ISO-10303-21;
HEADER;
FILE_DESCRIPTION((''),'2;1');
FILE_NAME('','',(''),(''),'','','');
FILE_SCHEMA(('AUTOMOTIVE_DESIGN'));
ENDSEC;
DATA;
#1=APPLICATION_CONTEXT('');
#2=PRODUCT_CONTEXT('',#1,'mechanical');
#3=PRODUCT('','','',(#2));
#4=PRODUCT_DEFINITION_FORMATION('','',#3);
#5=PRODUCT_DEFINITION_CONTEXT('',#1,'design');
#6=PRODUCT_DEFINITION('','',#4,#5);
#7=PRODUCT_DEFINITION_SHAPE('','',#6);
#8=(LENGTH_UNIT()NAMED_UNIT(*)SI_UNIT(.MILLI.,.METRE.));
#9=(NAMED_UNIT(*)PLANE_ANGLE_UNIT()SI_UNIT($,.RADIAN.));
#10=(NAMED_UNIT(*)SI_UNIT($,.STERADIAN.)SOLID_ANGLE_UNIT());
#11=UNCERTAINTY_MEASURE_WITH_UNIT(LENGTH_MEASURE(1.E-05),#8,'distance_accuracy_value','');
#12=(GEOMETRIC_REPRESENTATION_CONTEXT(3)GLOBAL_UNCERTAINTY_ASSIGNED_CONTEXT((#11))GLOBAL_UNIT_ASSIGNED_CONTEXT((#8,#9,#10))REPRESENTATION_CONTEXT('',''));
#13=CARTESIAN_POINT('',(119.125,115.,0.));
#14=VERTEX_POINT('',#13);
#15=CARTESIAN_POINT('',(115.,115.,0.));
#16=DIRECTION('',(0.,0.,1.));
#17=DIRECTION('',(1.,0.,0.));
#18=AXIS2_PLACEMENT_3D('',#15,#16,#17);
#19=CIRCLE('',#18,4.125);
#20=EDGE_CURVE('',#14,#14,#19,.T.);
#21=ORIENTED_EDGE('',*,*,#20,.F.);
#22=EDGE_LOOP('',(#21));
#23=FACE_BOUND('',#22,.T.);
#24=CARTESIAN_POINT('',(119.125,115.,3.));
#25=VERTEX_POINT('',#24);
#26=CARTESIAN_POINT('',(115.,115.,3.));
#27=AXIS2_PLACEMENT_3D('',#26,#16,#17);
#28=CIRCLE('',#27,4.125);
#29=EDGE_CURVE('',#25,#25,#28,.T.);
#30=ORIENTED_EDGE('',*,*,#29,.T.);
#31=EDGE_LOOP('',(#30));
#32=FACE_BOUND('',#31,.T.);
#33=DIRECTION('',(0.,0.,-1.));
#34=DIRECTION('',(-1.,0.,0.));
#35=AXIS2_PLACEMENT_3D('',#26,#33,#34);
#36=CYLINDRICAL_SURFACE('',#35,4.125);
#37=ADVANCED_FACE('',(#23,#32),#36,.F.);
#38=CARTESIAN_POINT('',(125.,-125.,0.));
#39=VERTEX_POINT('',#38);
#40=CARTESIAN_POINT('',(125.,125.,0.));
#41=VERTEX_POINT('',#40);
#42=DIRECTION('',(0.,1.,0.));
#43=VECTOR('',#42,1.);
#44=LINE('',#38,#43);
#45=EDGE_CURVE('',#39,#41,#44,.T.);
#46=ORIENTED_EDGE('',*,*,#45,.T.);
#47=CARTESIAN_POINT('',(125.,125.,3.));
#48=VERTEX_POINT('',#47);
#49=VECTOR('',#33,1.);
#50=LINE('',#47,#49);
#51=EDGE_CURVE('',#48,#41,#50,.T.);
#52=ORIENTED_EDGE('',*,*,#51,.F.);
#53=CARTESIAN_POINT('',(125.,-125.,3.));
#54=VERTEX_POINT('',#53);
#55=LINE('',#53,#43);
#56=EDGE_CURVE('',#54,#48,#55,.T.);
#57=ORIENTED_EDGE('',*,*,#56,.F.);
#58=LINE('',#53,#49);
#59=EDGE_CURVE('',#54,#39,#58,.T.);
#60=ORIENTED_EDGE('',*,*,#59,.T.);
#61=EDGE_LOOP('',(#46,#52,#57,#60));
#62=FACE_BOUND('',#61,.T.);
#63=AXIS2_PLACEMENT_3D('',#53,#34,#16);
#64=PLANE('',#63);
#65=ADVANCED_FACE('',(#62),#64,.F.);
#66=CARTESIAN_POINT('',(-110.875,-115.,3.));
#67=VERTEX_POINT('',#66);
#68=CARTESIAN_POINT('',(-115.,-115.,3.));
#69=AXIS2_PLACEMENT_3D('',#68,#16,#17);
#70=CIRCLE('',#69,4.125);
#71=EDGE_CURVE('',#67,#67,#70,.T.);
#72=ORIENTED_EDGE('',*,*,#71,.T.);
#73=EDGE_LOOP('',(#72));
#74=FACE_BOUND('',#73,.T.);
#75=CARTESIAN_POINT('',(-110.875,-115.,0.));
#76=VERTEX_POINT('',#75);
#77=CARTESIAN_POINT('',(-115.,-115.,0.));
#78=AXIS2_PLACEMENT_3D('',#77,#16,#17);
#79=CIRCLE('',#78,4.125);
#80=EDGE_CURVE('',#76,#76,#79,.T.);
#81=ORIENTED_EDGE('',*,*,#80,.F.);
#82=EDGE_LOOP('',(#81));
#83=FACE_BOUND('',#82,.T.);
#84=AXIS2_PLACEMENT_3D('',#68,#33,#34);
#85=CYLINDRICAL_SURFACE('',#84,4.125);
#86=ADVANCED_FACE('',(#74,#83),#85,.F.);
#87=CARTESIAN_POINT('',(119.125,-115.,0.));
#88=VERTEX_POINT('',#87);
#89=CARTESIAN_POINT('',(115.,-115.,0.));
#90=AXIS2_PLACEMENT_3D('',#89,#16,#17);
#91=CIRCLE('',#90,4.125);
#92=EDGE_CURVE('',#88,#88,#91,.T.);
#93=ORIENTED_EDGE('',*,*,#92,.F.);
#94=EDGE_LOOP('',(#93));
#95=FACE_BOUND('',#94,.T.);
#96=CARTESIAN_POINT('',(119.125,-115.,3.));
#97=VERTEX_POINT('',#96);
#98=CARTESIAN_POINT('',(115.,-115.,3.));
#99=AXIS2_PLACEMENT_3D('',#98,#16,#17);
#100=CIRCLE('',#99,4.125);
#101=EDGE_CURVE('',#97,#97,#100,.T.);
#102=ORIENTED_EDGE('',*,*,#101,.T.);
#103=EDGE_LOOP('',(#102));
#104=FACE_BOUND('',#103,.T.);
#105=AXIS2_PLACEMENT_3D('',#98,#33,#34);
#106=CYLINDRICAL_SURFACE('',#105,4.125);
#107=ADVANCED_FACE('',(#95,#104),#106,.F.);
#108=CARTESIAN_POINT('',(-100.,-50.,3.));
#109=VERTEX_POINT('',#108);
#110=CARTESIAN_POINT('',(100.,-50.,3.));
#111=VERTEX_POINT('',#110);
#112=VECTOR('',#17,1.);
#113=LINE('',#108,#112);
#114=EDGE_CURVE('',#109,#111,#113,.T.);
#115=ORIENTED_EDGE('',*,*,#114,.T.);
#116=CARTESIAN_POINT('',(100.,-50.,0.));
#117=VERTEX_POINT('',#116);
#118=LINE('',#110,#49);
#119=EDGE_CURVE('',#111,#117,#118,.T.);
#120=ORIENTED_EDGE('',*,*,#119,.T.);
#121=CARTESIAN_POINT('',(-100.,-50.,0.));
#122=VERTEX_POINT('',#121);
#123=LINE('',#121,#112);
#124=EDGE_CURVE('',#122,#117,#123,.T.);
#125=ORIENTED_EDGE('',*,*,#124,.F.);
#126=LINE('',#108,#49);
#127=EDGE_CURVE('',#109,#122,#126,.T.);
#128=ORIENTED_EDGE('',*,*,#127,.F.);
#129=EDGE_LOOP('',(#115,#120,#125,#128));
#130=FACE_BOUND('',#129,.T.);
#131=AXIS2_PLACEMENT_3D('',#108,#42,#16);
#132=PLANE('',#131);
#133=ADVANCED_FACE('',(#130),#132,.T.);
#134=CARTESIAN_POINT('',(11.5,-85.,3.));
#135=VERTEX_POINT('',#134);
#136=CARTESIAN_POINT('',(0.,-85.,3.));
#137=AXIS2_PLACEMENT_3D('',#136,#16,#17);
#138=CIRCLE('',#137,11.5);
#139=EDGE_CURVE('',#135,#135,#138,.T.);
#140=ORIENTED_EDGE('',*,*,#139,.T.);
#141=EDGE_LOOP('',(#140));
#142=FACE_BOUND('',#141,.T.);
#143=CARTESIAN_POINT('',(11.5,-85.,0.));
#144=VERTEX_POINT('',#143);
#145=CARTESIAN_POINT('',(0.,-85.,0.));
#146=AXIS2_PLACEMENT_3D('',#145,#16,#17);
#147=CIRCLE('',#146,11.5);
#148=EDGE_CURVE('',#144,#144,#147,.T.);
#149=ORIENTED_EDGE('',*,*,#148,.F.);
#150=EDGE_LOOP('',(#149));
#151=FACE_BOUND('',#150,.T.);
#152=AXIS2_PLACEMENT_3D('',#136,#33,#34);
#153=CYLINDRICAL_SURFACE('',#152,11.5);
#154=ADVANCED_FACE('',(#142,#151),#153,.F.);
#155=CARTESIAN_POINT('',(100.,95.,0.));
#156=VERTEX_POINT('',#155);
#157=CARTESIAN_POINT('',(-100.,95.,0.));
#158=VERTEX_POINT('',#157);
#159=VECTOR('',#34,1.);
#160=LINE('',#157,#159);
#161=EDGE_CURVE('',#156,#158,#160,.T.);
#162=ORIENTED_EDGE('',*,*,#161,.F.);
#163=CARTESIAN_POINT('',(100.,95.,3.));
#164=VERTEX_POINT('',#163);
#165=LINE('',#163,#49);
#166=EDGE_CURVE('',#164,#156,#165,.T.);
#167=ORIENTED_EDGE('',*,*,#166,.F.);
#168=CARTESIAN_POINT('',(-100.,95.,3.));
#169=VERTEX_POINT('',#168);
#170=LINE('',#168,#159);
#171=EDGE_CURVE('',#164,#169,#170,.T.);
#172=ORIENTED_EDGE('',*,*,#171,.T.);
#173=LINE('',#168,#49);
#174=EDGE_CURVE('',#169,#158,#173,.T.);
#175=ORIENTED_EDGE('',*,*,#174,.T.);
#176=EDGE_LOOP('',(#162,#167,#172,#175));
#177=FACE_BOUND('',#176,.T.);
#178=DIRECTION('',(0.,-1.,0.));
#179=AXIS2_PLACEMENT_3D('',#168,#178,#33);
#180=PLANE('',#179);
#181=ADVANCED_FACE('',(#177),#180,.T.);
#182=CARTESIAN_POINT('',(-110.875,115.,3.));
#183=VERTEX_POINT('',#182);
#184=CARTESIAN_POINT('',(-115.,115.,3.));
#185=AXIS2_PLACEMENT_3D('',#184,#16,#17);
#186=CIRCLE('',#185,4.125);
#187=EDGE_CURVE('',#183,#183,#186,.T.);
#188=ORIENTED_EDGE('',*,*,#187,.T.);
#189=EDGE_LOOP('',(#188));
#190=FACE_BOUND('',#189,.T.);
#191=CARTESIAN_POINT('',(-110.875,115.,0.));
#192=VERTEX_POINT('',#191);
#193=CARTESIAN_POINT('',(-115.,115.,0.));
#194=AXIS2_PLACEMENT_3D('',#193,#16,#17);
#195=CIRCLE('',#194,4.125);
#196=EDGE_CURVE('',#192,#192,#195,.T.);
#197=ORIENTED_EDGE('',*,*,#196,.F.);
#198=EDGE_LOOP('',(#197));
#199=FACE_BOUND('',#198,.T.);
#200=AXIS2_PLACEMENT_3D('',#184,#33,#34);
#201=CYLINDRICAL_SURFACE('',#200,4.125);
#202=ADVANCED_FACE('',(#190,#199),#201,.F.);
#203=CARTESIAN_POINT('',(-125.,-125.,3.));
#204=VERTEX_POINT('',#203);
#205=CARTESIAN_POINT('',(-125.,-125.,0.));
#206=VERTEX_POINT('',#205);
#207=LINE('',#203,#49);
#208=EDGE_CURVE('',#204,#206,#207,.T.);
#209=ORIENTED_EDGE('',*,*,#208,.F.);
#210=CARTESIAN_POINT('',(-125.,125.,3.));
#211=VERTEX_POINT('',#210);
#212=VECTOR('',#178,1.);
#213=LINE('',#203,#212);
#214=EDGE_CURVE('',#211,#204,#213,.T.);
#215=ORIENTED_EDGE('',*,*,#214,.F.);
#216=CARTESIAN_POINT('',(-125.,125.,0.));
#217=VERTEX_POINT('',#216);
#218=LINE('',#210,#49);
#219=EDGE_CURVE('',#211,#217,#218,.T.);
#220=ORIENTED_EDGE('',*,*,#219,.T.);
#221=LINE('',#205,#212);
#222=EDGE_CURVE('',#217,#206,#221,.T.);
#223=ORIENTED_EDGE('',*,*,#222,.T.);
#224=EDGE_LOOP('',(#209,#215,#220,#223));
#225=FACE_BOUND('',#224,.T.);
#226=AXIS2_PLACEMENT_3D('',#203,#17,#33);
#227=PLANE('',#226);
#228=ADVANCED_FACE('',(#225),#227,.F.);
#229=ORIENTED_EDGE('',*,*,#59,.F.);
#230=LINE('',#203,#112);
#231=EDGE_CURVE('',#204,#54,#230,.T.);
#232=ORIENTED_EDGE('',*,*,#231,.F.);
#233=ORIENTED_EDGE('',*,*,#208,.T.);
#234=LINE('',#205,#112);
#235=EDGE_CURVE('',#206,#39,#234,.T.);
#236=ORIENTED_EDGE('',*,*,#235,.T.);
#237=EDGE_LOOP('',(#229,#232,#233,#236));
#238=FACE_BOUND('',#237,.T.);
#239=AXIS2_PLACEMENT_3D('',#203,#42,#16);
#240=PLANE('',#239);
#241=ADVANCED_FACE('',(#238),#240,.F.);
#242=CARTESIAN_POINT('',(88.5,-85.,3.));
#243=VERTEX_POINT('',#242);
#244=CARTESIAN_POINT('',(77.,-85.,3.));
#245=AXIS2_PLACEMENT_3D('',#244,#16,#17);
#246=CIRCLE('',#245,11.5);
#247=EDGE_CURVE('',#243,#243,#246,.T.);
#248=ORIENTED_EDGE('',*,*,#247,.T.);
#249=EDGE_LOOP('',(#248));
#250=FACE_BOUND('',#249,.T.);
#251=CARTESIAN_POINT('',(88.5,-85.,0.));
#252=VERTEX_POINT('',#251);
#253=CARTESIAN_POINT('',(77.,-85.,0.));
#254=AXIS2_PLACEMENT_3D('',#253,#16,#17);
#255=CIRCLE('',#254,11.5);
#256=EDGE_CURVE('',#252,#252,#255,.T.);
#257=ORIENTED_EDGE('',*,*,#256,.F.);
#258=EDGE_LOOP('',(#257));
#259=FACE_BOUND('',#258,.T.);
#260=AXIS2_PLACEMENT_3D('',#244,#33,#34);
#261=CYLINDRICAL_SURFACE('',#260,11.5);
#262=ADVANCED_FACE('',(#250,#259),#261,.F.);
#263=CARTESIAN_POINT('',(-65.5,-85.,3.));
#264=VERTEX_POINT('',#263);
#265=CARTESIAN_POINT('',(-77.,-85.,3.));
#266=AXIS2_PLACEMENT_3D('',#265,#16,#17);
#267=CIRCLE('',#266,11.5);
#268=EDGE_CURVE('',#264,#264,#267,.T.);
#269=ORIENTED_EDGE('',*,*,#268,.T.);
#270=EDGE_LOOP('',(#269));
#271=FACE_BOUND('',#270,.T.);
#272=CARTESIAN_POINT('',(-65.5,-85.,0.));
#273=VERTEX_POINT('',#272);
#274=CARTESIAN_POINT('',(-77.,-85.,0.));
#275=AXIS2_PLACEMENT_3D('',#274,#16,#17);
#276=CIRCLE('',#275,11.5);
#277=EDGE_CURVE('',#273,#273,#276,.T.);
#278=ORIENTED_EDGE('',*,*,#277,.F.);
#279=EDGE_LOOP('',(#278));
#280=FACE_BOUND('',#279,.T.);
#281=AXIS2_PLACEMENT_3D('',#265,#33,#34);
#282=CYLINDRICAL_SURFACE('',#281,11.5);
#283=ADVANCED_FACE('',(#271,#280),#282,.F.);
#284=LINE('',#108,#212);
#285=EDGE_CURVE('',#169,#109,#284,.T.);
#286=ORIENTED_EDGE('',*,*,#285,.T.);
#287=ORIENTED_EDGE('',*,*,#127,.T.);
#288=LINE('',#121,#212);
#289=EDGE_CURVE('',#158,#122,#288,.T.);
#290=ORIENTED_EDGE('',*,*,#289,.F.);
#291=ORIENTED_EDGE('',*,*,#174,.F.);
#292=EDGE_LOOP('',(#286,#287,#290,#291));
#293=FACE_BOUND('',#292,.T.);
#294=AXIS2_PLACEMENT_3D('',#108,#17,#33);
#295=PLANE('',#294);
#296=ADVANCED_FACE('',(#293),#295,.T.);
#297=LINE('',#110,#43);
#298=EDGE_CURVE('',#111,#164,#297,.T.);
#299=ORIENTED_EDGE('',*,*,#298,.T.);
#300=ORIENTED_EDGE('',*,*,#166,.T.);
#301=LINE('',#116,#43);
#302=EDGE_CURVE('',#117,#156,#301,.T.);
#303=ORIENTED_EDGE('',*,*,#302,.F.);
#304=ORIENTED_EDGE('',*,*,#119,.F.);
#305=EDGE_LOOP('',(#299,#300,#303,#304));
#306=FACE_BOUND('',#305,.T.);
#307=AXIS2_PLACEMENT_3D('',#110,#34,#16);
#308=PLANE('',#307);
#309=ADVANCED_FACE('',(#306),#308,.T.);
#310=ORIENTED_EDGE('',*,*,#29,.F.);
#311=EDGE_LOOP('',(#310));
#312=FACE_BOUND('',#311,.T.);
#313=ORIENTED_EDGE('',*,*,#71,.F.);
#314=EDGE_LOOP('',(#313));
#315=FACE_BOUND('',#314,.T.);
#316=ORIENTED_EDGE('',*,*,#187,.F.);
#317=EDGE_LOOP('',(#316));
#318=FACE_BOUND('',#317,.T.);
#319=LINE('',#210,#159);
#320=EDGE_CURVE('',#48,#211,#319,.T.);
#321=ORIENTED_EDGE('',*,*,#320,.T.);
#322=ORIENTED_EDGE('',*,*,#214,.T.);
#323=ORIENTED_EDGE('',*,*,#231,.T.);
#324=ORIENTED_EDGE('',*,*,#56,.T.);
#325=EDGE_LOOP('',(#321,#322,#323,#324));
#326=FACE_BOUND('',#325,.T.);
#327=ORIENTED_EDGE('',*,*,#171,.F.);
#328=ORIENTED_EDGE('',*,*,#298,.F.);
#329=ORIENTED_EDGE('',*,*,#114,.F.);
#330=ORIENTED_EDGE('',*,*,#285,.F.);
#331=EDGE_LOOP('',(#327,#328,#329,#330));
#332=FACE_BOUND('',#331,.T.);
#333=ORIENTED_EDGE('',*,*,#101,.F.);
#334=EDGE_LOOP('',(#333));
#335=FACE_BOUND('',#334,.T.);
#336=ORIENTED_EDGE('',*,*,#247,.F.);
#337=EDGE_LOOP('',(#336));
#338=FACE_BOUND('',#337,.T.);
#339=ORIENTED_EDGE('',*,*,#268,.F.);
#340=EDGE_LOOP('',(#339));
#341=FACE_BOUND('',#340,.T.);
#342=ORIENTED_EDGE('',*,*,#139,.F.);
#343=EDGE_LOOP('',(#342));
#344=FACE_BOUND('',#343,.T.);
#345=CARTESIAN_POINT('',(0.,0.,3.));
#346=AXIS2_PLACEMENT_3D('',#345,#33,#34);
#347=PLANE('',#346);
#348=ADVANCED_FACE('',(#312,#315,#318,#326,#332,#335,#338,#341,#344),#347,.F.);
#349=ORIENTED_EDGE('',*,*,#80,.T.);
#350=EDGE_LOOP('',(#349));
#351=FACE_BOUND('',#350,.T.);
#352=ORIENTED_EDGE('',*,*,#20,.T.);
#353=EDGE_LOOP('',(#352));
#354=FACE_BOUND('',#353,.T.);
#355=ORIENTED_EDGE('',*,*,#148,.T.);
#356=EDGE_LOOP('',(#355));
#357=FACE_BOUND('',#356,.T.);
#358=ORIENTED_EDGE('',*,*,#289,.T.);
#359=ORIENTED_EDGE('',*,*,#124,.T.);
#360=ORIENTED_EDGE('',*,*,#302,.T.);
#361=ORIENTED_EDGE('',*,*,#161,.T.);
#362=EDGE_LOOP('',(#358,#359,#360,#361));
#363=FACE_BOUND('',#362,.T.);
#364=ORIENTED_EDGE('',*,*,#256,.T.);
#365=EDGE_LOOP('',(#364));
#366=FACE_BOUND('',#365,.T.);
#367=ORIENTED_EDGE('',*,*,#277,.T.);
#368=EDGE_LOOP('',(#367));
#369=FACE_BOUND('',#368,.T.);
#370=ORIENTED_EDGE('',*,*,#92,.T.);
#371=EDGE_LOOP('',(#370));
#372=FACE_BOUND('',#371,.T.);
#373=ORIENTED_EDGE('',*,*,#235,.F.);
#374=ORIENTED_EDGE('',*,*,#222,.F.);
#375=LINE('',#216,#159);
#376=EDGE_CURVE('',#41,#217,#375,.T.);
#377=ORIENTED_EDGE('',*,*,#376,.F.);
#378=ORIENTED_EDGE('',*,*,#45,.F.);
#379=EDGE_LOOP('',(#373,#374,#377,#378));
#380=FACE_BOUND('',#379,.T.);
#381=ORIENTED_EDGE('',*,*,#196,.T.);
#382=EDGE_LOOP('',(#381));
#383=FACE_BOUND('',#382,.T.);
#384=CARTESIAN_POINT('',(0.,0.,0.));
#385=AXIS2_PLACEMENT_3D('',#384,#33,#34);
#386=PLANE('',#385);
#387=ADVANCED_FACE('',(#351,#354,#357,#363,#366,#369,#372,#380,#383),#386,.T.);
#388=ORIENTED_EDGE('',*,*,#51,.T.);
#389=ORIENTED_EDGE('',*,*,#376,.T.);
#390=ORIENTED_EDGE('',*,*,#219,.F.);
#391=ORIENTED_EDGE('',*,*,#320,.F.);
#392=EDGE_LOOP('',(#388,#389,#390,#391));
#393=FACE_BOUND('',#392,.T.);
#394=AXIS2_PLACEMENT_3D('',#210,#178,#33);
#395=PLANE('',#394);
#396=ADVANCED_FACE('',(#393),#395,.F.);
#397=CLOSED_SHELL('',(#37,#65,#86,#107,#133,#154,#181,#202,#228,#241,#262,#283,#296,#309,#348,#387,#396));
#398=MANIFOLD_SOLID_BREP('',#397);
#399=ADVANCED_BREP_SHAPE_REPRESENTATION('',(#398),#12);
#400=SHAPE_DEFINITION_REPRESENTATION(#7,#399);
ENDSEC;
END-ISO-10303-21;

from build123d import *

# Parameters (mm, degrees)
SKETCH1_W           = 250
SKETCH1_H           = 250
SKETCH1_R           = 4.125
SKETCH1_R_2         = 11.5
SKETCH1_W_2         = 200
SKETCH1_H_2         = 145
BOSS_EXTRUDE1_DEPTH = 3


with BuildPart() as part:
    # Sketch1 → Boss-Extrude1 (new body)
    with BuildSketch(Plane.XY):
        Rectangle(SKETCH1_W, SKETCH1_H)
        with Locations((-115, 115)):
            Circle(SKETCH1_R, mode=Mode.SUBTRACT)
        with Locations((115, 115)):
            Circle(SKETCH1_R, mode=Mode.SUBTRACT)
        with Locations((115, -115)):
            Circle(SKETCH1_R, mode=Mode.SUBTRACT)
        with Locations((-115, -115)):
            Circle(SKETCH1_R, mode=Mode.SUBTRACT)
        with Locations((-77, -85)):
            Circle(SKETCH1_R_2, mode=Mode.SUBTRACT)
        with Locations((0, -85)):
            Circle(SKETCH1_R_2, mode=Mode.SUBTRACT)
        with Locations((77, -85)):
            Circle(SKETCH1_R_2, mode=Mode.SUBTRACT)
        with Locations((0, 22.5)):
            Rectangle(SKETCH1_W_2, SKETCH1_H_2, mode=Mode.SUBTRACT)
    extrude(amount=BOSS_EXTRUDE1_DEPTH)


solid = part.part
